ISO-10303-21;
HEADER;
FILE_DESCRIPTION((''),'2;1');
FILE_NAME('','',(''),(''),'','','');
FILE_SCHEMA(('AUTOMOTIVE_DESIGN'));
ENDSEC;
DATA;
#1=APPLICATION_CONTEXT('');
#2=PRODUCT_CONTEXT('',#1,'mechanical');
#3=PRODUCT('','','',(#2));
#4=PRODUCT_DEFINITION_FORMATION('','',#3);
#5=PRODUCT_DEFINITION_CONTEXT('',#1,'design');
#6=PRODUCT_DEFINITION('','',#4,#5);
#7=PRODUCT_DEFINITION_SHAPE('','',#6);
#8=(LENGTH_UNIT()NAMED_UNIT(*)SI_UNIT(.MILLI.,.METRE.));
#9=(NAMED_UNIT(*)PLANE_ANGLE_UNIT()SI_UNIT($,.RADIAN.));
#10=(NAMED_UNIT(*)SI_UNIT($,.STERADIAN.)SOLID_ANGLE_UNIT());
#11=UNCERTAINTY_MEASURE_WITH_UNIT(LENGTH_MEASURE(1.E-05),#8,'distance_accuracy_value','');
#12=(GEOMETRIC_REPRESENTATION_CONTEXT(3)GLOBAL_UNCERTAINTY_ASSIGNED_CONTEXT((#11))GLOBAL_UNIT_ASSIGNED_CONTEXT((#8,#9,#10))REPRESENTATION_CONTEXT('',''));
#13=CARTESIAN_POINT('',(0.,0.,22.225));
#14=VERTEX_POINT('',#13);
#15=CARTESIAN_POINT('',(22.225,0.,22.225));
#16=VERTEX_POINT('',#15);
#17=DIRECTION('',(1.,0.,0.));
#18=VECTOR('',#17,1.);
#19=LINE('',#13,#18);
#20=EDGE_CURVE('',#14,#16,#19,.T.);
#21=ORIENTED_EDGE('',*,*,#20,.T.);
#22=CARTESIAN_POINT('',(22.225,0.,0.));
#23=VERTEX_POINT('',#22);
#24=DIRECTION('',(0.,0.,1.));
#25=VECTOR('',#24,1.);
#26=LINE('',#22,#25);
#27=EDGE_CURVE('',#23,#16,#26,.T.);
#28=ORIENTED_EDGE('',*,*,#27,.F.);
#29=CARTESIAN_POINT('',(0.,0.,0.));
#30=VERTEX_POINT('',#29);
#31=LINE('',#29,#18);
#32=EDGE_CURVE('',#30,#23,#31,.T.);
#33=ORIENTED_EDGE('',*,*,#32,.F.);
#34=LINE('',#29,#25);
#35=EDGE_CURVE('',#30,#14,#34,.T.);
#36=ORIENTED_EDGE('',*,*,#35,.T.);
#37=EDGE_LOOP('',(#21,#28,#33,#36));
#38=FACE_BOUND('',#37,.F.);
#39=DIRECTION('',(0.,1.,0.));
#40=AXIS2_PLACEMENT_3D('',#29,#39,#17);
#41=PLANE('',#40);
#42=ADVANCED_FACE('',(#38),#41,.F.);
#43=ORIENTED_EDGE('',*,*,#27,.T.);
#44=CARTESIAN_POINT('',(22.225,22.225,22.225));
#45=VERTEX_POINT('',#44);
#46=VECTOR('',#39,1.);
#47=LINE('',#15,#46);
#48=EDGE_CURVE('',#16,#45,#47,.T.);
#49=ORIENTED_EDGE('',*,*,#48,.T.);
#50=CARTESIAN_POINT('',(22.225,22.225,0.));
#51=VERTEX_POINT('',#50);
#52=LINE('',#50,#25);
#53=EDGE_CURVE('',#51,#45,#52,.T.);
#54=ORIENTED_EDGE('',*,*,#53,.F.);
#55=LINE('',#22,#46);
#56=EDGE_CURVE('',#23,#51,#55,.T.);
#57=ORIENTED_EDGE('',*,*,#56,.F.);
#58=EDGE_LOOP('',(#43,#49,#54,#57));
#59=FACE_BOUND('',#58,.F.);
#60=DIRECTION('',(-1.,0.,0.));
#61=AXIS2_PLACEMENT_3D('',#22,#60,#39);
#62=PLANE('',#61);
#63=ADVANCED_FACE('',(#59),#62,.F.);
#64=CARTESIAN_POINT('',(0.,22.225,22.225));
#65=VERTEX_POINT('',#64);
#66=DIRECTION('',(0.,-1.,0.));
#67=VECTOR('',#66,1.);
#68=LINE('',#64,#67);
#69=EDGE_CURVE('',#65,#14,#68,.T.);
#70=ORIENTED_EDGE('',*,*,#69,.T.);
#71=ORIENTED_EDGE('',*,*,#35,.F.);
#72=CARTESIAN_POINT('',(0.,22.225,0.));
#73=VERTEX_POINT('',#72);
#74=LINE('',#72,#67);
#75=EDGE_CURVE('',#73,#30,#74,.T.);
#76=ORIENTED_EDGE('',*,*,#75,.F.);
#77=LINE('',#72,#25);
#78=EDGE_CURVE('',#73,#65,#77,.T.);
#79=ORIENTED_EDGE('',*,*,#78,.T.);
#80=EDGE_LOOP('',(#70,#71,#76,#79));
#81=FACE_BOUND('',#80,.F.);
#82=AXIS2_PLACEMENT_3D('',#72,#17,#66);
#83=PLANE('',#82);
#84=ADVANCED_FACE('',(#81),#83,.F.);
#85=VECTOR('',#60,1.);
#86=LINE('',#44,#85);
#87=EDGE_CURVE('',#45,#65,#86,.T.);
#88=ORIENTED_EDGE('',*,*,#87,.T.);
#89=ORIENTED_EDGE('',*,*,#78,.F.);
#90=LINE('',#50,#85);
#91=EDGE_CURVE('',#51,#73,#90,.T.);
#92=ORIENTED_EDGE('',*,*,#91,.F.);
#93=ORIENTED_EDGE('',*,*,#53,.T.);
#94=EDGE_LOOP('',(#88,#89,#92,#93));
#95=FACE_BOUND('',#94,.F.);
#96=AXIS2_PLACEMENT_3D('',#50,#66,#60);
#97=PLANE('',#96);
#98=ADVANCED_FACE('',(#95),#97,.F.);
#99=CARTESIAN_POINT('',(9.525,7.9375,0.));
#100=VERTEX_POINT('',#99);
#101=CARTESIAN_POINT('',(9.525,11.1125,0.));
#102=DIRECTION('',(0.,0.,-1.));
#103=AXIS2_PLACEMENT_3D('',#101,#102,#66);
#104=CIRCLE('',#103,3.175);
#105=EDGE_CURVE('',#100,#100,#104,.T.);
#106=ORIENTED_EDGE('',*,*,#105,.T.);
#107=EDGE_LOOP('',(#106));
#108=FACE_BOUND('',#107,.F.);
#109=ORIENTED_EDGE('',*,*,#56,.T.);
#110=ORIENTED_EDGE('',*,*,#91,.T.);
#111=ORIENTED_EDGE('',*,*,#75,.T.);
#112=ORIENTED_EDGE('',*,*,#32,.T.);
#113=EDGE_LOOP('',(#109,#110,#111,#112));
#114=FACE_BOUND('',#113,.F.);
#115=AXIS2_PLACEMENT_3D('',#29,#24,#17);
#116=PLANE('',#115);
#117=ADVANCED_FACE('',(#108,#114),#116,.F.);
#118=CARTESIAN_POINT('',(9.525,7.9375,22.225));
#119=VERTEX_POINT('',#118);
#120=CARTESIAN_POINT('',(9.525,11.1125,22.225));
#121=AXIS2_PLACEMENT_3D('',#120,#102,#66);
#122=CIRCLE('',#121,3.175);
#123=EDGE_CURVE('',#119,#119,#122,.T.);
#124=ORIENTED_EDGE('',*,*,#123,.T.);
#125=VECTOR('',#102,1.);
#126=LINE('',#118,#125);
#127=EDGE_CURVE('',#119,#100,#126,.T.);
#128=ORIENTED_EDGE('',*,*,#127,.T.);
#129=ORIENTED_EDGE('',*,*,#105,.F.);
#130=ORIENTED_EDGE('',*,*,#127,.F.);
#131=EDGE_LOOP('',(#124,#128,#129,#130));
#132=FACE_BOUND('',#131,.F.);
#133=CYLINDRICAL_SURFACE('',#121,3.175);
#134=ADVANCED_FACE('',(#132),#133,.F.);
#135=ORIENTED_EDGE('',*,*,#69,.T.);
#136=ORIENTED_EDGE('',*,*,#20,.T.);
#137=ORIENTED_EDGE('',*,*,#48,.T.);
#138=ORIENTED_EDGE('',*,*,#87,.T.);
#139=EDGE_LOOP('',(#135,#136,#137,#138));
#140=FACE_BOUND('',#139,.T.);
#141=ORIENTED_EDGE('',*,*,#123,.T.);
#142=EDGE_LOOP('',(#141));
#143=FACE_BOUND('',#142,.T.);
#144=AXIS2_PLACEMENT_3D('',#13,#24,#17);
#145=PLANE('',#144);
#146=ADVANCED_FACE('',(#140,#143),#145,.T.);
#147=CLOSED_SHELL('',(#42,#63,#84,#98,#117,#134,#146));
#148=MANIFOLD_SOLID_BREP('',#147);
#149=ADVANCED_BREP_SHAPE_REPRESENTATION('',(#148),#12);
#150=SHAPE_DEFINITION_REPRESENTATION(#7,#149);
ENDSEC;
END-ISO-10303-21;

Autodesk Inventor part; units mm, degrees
ref_plane "YZ Plane" through (0, 0, 0) normal (1, 0, 0) x (0, 1, 0)
ref_plane "XZ Plane" through (0, 0, 0) normal (0, 1, 0) x (-1, 0, 0)
ref_plane "XY Plane" through (0, 0, 0) normal (0, 0, 1) x (1, 0, 0)
sketch "Sketch1" plane through (0, 0, 0) normal (0, 0, 1) x (1, 0, 0)
  line L0 (0, 0) -> (22.225, 0)
  line L1 (22.225, 0) -> (22.225, 22.225)
  line L2 (22.225, 22.225) -> (0, 22.225)
  line L3 (0, 22.225) -> (0, 0)
  dimension "d21" = 22.225
  dimension "d22" = 22.225
extrude "Extrusion1" add sketch "Sketch1" along normal blind 22.225
sketch "Sketch5" plane through (0, 0, 22.225) normal (0, 0, 1) x (1, 0, 0)
  line L0 (22.225, 0) -> (22.225, 22.225) projected
  line L1 (22.225, 22.225) -> (0, 22.225) projected
  point P0 (0, 0)
  point P1 (9.525, 11.1125)
  dimension "d33" = 12.7
  dimension "d34" = 11.1125
hole "Hole4" at (9.525, 11.1125, 22.225) direction (0, 0, -1) diameter 6.35 end through all
properties part number "CLB_078_ScissorBottomBarPlug"
